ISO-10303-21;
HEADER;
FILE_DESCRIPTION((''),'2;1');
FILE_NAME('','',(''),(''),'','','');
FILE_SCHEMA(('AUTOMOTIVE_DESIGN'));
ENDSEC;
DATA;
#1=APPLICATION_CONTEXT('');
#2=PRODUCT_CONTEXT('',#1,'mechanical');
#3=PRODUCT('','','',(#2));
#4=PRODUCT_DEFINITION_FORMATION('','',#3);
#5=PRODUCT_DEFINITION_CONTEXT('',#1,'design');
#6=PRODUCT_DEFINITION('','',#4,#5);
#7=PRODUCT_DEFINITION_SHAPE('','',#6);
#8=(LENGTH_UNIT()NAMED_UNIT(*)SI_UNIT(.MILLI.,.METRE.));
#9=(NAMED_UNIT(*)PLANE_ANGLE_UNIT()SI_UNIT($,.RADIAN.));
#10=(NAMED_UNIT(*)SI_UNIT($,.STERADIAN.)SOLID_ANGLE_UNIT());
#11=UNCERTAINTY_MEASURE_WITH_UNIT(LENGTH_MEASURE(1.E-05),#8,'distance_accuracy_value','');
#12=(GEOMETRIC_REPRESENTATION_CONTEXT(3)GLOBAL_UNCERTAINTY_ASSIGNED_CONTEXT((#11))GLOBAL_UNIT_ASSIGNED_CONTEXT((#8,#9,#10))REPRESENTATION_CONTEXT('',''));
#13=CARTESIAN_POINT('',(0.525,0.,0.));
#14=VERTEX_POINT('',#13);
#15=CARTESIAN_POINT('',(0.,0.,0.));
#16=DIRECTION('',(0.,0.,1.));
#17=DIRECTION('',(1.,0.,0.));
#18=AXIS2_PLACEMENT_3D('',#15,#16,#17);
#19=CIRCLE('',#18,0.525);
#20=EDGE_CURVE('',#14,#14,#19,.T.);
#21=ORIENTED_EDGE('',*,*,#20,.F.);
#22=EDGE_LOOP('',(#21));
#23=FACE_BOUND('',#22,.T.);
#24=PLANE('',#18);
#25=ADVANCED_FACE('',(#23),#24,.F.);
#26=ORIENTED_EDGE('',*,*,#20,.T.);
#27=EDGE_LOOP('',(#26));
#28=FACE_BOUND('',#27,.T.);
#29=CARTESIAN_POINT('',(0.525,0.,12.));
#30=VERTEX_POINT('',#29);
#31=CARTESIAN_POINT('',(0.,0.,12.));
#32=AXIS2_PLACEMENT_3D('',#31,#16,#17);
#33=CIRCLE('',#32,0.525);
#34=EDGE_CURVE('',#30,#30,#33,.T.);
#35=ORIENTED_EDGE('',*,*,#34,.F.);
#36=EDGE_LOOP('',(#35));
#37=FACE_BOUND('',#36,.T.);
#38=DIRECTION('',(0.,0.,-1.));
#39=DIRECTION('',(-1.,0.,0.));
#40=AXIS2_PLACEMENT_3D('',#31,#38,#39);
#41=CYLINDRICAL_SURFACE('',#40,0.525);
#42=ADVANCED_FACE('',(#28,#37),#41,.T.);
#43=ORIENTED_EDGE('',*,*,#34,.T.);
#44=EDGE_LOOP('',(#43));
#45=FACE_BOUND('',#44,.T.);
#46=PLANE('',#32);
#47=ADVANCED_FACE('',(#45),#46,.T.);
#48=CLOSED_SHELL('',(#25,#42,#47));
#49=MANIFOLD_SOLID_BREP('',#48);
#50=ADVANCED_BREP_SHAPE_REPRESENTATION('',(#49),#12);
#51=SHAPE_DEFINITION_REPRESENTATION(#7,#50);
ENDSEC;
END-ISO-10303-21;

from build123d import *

# Parameters (mm, degrees)
SKIZZE1_R                       = 0.525
AUFSATZ_LINEAR_AUSTRAGEN1_DEPTH = 12


with BuildPart() as part:
    # Skizze1 → Aufsatz-Linear austragen1 (new body)
    with BuildSketch(Plane.XY):
        Circle(SKIZZE1_R)
    extrude(amount=AUFSATZ_LINEAR_AUSTRAGEN1_DEPTH)


solid = part.part
